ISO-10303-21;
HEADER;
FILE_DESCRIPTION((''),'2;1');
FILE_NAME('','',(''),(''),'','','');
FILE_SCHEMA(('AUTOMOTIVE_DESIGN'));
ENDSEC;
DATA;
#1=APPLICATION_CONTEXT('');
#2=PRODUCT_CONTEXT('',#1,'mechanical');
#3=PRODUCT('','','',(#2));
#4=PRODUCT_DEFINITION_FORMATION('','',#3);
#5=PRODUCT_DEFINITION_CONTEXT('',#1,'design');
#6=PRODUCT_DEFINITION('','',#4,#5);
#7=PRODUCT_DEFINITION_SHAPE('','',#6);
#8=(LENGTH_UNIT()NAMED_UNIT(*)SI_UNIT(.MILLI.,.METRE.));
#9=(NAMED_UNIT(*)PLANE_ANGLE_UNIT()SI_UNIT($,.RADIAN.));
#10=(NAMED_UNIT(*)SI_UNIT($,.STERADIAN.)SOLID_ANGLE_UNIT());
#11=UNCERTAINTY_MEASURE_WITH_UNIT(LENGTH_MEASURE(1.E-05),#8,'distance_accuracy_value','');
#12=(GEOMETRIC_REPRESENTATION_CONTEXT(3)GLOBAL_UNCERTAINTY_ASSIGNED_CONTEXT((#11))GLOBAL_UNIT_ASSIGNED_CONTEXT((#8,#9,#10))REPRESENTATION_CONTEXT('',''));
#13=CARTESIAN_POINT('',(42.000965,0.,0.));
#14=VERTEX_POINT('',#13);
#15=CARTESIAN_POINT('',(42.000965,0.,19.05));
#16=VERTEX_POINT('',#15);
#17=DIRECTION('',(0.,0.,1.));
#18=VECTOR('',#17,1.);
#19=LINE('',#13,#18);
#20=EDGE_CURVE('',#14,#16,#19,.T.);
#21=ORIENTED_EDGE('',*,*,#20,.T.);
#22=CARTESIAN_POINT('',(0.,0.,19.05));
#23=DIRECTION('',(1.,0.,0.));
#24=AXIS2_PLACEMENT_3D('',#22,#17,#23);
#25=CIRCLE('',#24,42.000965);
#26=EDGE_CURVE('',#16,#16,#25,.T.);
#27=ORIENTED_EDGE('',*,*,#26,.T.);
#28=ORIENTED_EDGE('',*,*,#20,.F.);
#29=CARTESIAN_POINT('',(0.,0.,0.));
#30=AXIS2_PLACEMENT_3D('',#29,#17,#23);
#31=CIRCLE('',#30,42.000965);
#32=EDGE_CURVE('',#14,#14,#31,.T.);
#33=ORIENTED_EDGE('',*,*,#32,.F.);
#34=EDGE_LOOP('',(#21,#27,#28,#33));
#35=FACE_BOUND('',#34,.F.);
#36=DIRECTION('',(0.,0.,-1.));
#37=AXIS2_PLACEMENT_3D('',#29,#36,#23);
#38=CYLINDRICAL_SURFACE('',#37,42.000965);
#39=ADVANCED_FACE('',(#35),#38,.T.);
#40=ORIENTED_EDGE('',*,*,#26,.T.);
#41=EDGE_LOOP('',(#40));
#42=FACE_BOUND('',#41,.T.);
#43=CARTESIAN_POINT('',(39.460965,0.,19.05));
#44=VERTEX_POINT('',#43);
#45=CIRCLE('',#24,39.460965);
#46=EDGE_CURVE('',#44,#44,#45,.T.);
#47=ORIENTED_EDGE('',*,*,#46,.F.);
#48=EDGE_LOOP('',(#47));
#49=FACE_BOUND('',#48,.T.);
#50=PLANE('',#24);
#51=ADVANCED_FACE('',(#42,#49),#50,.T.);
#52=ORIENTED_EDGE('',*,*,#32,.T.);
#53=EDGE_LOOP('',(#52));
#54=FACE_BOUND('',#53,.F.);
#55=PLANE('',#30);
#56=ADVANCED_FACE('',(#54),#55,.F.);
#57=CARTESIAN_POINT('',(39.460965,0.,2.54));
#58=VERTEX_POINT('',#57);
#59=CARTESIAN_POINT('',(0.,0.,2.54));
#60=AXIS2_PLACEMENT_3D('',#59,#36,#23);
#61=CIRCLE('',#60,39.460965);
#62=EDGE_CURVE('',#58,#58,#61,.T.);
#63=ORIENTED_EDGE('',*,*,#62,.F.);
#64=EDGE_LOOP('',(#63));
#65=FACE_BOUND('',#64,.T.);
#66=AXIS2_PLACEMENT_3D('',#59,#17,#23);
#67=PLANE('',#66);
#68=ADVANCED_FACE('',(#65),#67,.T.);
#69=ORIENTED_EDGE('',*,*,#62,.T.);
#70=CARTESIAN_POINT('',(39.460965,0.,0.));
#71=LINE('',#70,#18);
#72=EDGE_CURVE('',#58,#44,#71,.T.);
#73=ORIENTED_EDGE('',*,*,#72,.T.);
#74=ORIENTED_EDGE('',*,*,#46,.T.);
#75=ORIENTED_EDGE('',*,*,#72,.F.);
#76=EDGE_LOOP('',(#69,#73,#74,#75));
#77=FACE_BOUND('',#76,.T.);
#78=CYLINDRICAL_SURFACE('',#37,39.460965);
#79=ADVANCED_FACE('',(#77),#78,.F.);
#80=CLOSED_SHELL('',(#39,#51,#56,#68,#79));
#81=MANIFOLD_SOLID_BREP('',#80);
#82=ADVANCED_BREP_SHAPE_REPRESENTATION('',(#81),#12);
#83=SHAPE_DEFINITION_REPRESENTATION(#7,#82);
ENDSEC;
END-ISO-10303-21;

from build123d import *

# Parameters (mm, degrees)
F0_R     = 42.000965
F1_DEPTH = 19.05
F2_DEPTH = 0.029528
F3_T     = -2.54


with BuildPart() as f1:
    # F0 (on Top) → F1 (new body)
    with BuildSketch(Plane.XY):
        Circle(F0_R)
    extrude(amount=F1_DEPTH)

    # F3
    f3_openings = [f1.faces().sort_by_distance(p)[0] for p in [
        (0, 0, 19.05),
    ]]
    offset(amount=F3_T, openings=f3_openings)


with BuildPart() as f2:
    # F0 (on Top) → F2 (new body)
    with BuildSketch(Plane.XY):
        Circle(F0_R)
    extrude(amount=F2_DEPTH)


solid = f1.part
